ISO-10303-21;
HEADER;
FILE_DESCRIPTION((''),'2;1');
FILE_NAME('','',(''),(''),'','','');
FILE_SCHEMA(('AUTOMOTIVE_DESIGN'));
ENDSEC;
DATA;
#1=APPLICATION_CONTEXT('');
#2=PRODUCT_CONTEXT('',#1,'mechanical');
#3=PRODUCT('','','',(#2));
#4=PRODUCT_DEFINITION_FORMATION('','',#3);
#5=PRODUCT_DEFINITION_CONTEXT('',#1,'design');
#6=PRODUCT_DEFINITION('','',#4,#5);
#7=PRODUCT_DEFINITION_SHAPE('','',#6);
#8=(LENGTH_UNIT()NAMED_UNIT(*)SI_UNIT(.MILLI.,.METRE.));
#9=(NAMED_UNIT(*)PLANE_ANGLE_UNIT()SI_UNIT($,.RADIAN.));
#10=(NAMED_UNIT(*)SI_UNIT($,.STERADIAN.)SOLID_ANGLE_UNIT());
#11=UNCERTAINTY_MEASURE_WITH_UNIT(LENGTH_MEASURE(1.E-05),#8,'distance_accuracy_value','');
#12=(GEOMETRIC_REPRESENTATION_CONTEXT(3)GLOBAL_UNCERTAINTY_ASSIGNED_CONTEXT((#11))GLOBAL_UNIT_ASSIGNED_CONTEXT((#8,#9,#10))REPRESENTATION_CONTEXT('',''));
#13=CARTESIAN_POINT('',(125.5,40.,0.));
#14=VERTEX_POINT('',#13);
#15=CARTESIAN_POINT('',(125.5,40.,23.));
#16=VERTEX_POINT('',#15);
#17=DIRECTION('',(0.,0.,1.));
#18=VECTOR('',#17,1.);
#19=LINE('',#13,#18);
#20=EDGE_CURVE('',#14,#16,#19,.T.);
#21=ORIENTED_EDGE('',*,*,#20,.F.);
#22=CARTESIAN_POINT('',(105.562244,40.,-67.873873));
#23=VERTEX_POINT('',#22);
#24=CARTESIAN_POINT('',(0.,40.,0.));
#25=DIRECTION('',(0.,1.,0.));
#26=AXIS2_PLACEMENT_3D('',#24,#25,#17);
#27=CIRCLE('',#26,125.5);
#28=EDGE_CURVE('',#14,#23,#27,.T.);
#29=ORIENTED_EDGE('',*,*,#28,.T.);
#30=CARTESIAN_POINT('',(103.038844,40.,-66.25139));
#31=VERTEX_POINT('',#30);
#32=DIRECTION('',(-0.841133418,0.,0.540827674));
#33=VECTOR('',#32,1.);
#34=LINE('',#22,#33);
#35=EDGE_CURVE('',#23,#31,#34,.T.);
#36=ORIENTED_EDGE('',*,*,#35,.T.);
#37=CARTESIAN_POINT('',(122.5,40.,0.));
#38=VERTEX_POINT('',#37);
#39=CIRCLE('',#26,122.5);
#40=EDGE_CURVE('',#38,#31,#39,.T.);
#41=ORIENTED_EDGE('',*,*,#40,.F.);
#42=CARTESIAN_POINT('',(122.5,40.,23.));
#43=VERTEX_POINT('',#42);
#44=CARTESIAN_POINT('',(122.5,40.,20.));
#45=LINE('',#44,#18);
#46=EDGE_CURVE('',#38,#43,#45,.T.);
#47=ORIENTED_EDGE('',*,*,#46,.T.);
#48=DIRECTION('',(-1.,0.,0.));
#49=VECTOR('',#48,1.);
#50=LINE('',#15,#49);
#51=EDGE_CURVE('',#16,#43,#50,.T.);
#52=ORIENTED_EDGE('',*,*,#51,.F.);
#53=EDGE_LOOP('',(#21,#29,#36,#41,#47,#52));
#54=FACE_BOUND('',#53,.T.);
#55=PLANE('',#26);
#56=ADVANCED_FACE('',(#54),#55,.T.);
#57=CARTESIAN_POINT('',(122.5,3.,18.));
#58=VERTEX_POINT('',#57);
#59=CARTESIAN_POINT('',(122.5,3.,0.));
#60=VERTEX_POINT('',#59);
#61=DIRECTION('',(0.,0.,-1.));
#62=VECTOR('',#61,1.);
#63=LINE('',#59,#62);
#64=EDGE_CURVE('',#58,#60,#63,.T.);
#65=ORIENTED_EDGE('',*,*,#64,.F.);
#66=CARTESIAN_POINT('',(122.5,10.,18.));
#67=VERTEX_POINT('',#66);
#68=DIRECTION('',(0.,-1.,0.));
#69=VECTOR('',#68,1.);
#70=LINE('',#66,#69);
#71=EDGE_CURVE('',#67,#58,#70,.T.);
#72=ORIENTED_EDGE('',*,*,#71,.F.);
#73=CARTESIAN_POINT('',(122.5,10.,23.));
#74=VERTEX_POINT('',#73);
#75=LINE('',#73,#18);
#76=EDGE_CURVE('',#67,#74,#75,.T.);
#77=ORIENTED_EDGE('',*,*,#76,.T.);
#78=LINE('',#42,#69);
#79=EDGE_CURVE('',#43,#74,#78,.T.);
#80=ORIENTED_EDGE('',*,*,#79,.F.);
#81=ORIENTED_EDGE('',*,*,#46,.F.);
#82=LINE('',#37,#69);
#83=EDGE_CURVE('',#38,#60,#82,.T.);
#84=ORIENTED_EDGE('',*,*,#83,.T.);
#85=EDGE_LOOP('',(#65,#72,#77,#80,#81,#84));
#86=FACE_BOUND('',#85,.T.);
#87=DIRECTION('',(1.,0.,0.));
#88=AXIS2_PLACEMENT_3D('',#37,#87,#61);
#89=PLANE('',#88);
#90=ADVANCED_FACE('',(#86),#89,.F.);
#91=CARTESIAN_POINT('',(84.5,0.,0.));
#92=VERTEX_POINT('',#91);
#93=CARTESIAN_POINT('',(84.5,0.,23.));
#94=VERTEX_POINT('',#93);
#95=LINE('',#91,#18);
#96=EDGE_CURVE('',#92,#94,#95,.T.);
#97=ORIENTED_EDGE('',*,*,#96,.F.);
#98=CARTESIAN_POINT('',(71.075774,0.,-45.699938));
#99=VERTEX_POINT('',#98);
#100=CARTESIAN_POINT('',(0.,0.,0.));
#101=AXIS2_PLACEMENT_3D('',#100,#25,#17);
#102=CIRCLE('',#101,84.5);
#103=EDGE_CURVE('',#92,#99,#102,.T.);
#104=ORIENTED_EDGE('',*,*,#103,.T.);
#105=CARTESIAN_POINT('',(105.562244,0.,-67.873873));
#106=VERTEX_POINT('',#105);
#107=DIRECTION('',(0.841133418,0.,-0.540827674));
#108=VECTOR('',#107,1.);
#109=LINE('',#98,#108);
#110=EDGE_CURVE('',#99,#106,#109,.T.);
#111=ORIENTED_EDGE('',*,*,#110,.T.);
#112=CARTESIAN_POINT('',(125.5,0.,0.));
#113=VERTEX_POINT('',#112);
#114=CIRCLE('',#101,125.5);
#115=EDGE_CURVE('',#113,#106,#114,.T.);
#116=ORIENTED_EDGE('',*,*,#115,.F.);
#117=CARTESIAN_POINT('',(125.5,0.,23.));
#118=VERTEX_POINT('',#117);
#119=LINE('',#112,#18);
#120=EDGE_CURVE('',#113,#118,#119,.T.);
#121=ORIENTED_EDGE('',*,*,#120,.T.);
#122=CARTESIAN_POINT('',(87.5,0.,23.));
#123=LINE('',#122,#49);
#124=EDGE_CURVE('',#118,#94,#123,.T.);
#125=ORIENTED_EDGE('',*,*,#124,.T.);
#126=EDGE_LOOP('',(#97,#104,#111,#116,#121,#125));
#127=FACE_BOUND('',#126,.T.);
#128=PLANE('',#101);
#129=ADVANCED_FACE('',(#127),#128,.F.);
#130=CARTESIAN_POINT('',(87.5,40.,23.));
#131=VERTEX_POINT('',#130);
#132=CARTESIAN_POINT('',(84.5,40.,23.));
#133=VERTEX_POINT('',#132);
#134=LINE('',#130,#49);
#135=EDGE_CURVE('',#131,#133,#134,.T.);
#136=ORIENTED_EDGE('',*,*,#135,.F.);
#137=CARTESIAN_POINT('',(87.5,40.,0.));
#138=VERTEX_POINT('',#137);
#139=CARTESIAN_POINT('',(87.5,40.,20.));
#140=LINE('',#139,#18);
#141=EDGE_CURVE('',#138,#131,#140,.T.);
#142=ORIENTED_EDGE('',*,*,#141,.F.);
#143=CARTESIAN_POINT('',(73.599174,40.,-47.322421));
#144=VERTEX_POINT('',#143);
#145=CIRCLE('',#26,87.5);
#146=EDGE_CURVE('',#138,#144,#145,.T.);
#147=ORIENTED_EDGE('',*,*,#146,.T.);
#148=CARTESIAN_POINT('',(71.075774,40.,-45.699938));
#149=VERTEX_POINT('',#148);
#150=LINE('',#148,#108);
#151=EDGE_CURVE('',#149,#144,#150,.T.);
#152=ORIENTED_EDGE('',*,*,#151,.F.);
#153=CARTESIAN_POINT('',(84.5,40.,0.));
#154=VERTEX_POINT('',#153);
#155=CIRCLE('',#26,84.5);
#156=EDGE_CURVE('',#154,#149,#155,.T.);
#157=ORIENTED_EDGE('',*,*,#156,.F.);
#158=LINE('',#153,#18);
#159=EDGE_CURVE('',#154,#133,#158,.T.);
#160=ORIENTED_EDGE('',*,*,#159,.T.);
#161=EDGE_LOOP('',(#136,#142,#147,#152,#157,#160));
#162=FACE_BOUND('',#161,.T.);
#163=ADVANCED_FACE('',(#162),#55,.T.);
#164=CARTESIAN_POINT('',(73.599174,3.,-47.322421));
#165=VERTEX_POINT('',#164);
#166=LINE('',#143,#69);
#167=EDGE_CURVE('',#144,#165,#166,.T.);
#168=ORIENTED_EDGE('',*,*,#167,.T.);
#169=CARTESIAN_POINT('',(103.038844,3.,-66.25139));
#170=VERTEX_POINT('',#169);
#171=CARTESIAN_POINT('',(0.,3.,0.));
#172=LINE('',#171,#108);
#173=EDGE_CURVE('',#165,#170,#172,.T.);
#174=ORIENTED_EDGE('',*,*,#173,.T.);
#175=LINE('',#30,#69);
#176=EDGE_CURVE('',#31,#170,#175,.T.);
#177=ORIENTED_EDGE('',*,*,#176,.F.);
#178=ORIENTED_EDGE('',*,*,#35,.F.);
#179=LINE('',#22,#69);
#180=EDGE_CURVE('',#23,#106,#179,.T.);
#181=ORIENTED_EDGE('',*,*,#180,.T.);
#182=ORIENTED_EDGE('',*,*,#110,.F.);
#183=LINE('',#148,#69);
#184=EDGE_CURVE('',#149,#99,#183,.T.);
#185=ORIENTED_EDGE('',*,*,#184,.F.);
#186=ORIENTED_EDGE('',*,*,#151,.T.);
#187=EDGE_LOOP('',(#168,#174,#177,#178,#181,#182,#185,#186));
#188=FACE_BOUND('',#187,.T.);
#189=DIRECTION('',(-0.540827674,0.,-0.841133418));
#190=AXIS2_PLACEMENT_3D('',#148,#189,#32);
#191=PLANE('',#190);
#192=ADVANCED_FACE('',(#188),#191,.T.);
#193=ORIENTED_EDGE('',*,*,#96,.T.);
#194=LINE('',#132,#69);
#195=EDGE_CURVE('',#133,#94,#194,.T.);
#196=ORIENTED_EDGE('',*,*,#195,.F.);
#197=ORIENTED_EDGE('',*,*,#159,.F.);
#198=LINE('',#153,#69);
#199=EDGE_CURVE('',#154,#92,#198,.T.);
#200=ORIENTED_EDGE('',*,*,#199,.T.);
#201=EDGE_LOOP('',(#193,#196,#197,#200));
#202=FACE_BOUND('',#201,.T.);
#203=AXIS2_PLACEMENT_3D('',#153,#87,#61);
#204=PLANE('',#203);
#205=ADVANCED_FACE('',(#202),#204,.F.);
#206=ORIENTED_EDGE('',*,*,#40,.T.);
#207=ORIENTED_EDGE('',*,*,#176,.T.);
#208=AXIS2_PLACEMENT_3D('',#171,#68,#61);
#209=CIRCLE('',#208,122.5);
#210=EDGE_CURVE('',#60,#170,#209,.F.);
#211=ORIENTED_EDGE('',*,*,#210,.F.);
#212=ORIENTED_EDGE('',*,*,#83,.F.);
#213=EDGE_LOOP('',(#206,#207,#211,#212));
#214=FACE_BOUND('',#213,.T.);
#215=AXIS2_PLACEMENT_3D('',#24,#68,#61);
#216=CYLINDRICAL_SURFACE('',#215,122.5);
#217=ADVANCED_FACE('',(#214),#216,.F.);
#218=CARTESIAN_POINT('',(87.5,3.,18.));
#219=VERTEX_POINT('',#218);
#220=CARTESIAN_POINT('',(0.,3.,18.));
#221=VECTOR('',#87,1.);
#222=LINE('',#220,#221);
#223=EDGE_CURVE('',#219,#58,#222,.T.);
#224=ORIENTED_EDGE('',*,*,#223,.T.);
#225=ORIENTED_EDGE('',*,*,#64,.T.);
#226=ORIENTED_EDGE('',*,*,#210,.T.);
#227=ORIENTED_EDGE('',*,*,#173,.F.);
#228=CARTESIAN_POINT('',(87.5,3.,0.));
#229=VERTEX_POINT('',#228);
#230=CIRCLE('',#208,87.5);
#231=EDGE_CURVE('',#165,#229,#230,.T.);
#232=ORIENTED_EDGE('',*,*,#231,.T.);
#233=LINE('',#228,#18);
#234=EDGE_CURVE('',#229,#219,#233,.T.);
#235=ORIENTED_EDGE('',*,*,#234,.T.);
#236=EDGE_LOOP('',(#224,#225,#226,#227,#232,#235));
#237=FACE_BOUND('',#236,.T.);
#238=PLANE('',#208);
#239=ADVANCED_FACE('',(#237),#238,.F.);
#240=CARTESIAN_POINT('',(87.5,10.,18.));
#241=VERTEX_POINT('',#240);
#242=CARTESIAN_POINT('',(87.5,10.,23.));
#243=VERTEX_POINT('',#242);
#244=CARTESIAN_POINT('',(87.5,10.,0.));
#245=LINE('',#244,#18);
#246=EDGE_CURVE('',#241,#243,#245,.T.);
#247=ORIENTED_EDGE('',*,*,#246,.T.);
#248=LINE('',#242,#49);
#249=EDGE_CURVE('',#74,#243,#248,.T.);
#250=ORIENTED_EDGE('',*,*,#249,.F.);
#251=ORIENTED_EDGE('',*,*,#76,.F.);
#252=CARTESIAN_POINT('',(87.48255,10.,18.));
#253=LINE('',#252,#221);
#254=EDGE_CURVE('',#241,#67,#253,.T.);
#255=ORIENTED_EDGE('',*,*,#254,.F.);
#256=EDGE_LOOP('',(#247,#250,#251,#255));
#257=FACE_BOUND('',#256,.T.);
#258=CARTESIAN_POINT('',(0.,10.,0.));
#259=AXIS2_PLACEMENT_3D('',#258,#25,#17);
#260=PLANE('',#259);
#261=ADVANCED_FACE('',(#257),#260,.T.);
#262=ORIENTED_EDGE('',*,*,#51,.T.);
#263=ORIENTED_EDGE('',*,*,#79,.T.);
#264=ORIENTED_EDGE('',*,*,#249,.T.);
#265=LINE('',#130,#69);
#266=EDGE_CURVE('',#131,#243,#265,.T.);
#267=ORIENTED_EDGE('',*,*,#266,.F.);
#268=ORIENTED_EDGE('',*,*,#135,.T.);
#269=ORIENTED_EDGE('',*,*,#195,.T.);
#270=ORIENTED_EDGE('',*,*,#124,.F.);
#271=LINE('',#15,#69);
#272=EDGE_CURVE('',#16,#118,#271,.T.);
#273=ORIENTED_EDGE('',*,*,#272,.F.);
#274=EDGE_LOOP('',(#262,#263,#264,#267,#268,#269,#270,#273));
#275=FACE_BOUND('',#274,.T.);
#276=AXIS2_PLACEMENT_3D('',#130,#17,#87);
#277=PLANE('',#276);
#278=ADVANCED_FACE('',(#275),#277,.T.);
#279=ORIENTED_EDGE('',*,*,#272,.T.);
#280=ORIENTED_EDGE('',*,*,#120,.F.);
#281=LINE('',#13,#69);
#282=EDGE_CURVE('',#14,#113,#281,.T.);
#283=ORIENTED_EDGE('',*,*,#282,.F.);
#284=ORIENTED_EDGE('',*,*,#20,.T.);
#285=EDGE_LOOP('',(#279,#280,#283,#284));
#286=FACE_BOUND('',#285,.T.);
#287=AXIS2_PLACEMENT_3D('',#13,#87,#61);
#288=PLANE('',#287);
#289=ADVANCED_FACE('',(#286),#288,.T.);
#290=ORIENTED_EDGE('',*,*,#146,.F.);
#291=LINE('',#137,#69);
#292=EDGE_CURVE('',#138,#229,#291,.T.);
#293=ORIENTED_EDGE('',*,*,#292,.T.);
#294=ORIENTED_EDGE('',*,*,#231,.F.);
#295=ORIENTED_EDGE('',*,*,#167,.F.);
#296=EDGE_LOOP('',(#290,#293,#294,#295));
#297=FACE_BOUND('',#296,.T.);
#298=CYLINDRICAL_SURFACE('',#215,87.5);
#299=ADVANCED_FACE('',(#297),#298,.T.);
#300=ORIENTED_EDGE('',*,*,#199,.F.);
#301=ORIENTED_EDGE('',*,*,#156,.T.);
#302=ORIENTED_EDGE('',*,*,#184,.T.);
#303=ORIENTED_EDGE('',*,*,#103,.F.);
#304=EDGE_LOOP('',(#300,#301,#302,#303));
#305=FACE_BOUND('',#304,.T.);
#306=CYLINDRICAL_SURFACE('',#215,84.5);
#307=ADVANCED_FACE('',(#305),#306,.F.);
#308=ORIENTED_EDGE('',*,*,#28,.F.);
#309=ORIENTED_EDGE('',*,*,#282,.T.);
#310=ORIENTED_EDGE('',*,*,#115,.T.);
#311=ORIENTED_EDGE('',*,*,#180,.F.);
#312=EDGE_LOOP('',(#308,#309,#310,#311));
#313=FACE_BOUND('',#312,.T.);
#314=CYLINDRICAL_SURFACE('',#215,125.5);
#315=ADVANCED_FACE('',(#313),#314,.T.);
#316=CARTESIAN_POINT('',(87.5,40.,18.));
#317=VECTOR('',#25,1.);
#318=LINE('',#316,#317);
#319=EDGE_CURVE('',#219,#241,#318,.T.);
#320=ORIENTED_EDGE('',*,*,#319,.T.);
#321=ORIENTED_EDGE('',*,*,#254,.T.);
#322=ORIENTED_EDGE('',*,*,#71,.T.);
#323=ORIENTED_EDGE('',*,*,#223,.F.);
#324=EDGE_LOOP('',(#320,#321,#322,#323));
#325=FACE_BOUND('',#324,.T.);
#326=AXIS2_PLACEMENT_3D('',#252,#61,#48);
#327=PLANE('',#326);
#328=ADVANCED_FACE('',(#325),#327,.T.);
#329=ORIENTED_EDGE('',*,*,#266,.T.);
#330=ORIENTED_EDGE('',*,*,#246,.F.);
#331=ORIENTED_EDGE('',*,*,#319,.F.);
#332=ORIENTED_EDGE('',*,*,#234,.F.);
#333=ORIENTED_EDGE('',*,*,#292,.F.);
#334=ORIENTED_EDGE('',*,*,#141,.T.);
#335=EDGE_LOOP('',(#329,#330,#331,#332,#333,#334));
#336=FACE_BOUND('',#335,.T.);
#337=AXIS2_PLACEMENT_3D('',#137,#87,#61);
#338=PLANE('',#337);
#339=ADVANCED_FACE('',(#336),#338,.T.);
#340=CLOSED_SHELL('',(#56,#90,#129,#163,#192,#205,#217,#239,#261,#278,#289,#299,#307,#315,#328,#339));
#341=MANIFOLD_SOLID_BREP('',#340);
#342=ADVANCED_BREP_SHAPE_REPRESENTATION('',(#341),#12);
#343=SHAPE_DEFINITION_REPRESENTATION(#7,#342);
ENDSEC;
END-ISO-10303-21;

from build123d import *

# Parameters (mm, degrees)
BOSS_EXTRUDE1_DEPTH   = 40
BOSS_EXTRUDE1_2_DEPTH = 40
BOSS_EXTRUDE2_DEPTH   = 10
BOSS_EXTRUDE3_DEPTH   = 3


with BuildPart() as part:
    # Sketch1 → Boss-Extrude1 (new body)
    with BuildSketch(Plane(origin=(0, 0, 0), x_dir=(1, 0, 0), z_dir=(0, 1, 0))):
        with BuildLine():
            Line((87.5, 0), (87.5, -20))
            Line((87.5, -20), (87.5, -23))
            Line((87.5, -23), (84.5, -23))
            Line((84.5, -23), (84.5, 0))
            ThreePointArc((84.5, 0), (81.074511679, 23.815405855), (71.075773822, 45.699938464))
            Line((71.075773822, 45.699938464), (73.599174076, 47.322421486))
            ThreePointArc((73.599174076, 47.322421486), (83.952896709, 24.660923222), (87.5, 0))
        make_face()
    extrude(amount=BOSS_EXTRUDE1_DEPTH)



with BuildPart() as body_2:
    # Sketch1 → Boss-Extrude1 2 (new body)
    with BuildSketch(Plane(origin=(0, 0, 0), x_dir=(1, 0, 0), z_dir=(0, 1, 0))):
        with BuildLine():
            Line((122.5, 0), (122.5, -20))
            Line((122.5, -20), (122.5, -23))
            Line((122.5, -23), (125.5, -23))
            Line((125.5, -23), (125.5, 0))
            ThreePointArc((125.5, 0), (120.412440423, 35.370809879), (105.56224396, 67.873873103))
            Line((105.56224396, 67.873873103), (103.038843706, 66.251390081))
            ThreePointArc((103.038843706, 66.251390081), (117.534055393, 34.525292511), (122.5, 0))
        make_face()
    extrude(amount=BOSS_EXTRUDE1_2_DEPTH)


with BuildPart() as part_1:
    add(part.part)

    add(body_2.part)  # Boss-Extrude2 merges body 2
    # Sketch2 → Boss-Extrude2 (add)
    with BuildSketch(Plane.XZ):
        Polygon((87.5, 23), (122.5, 23), (122.5, 18), (87.482549511, 18), align=None)
    extrude(amount=-BOSS_EXTRUDE2_DEPTH)

    # Sketch3 → Boss-Extrude3 (add)
    with BuildSketch(Plane.XZ):
        with BuildLine():
            Line((73.599174076, -47.322421486), (103.038843706, -66.251390081))
            ThreePointArc((103.038843706, -66.251390081), (117.534055393, -34.525292511), (122.5, 0))
            Line((122.5, 0), (122.5, 18))
            Line((122.5, 18), (87.5, 18))
            Line((87.5, 18), (87.5, 0))
            ThreePointArc((87.5, 0), (83.952896709, -24.660923222), (73.599174076, -47.322421486))
        make_face()
    extrude(amount=-BOSS_EXTRUDE3_DEPTH)


solid = part_1.part
